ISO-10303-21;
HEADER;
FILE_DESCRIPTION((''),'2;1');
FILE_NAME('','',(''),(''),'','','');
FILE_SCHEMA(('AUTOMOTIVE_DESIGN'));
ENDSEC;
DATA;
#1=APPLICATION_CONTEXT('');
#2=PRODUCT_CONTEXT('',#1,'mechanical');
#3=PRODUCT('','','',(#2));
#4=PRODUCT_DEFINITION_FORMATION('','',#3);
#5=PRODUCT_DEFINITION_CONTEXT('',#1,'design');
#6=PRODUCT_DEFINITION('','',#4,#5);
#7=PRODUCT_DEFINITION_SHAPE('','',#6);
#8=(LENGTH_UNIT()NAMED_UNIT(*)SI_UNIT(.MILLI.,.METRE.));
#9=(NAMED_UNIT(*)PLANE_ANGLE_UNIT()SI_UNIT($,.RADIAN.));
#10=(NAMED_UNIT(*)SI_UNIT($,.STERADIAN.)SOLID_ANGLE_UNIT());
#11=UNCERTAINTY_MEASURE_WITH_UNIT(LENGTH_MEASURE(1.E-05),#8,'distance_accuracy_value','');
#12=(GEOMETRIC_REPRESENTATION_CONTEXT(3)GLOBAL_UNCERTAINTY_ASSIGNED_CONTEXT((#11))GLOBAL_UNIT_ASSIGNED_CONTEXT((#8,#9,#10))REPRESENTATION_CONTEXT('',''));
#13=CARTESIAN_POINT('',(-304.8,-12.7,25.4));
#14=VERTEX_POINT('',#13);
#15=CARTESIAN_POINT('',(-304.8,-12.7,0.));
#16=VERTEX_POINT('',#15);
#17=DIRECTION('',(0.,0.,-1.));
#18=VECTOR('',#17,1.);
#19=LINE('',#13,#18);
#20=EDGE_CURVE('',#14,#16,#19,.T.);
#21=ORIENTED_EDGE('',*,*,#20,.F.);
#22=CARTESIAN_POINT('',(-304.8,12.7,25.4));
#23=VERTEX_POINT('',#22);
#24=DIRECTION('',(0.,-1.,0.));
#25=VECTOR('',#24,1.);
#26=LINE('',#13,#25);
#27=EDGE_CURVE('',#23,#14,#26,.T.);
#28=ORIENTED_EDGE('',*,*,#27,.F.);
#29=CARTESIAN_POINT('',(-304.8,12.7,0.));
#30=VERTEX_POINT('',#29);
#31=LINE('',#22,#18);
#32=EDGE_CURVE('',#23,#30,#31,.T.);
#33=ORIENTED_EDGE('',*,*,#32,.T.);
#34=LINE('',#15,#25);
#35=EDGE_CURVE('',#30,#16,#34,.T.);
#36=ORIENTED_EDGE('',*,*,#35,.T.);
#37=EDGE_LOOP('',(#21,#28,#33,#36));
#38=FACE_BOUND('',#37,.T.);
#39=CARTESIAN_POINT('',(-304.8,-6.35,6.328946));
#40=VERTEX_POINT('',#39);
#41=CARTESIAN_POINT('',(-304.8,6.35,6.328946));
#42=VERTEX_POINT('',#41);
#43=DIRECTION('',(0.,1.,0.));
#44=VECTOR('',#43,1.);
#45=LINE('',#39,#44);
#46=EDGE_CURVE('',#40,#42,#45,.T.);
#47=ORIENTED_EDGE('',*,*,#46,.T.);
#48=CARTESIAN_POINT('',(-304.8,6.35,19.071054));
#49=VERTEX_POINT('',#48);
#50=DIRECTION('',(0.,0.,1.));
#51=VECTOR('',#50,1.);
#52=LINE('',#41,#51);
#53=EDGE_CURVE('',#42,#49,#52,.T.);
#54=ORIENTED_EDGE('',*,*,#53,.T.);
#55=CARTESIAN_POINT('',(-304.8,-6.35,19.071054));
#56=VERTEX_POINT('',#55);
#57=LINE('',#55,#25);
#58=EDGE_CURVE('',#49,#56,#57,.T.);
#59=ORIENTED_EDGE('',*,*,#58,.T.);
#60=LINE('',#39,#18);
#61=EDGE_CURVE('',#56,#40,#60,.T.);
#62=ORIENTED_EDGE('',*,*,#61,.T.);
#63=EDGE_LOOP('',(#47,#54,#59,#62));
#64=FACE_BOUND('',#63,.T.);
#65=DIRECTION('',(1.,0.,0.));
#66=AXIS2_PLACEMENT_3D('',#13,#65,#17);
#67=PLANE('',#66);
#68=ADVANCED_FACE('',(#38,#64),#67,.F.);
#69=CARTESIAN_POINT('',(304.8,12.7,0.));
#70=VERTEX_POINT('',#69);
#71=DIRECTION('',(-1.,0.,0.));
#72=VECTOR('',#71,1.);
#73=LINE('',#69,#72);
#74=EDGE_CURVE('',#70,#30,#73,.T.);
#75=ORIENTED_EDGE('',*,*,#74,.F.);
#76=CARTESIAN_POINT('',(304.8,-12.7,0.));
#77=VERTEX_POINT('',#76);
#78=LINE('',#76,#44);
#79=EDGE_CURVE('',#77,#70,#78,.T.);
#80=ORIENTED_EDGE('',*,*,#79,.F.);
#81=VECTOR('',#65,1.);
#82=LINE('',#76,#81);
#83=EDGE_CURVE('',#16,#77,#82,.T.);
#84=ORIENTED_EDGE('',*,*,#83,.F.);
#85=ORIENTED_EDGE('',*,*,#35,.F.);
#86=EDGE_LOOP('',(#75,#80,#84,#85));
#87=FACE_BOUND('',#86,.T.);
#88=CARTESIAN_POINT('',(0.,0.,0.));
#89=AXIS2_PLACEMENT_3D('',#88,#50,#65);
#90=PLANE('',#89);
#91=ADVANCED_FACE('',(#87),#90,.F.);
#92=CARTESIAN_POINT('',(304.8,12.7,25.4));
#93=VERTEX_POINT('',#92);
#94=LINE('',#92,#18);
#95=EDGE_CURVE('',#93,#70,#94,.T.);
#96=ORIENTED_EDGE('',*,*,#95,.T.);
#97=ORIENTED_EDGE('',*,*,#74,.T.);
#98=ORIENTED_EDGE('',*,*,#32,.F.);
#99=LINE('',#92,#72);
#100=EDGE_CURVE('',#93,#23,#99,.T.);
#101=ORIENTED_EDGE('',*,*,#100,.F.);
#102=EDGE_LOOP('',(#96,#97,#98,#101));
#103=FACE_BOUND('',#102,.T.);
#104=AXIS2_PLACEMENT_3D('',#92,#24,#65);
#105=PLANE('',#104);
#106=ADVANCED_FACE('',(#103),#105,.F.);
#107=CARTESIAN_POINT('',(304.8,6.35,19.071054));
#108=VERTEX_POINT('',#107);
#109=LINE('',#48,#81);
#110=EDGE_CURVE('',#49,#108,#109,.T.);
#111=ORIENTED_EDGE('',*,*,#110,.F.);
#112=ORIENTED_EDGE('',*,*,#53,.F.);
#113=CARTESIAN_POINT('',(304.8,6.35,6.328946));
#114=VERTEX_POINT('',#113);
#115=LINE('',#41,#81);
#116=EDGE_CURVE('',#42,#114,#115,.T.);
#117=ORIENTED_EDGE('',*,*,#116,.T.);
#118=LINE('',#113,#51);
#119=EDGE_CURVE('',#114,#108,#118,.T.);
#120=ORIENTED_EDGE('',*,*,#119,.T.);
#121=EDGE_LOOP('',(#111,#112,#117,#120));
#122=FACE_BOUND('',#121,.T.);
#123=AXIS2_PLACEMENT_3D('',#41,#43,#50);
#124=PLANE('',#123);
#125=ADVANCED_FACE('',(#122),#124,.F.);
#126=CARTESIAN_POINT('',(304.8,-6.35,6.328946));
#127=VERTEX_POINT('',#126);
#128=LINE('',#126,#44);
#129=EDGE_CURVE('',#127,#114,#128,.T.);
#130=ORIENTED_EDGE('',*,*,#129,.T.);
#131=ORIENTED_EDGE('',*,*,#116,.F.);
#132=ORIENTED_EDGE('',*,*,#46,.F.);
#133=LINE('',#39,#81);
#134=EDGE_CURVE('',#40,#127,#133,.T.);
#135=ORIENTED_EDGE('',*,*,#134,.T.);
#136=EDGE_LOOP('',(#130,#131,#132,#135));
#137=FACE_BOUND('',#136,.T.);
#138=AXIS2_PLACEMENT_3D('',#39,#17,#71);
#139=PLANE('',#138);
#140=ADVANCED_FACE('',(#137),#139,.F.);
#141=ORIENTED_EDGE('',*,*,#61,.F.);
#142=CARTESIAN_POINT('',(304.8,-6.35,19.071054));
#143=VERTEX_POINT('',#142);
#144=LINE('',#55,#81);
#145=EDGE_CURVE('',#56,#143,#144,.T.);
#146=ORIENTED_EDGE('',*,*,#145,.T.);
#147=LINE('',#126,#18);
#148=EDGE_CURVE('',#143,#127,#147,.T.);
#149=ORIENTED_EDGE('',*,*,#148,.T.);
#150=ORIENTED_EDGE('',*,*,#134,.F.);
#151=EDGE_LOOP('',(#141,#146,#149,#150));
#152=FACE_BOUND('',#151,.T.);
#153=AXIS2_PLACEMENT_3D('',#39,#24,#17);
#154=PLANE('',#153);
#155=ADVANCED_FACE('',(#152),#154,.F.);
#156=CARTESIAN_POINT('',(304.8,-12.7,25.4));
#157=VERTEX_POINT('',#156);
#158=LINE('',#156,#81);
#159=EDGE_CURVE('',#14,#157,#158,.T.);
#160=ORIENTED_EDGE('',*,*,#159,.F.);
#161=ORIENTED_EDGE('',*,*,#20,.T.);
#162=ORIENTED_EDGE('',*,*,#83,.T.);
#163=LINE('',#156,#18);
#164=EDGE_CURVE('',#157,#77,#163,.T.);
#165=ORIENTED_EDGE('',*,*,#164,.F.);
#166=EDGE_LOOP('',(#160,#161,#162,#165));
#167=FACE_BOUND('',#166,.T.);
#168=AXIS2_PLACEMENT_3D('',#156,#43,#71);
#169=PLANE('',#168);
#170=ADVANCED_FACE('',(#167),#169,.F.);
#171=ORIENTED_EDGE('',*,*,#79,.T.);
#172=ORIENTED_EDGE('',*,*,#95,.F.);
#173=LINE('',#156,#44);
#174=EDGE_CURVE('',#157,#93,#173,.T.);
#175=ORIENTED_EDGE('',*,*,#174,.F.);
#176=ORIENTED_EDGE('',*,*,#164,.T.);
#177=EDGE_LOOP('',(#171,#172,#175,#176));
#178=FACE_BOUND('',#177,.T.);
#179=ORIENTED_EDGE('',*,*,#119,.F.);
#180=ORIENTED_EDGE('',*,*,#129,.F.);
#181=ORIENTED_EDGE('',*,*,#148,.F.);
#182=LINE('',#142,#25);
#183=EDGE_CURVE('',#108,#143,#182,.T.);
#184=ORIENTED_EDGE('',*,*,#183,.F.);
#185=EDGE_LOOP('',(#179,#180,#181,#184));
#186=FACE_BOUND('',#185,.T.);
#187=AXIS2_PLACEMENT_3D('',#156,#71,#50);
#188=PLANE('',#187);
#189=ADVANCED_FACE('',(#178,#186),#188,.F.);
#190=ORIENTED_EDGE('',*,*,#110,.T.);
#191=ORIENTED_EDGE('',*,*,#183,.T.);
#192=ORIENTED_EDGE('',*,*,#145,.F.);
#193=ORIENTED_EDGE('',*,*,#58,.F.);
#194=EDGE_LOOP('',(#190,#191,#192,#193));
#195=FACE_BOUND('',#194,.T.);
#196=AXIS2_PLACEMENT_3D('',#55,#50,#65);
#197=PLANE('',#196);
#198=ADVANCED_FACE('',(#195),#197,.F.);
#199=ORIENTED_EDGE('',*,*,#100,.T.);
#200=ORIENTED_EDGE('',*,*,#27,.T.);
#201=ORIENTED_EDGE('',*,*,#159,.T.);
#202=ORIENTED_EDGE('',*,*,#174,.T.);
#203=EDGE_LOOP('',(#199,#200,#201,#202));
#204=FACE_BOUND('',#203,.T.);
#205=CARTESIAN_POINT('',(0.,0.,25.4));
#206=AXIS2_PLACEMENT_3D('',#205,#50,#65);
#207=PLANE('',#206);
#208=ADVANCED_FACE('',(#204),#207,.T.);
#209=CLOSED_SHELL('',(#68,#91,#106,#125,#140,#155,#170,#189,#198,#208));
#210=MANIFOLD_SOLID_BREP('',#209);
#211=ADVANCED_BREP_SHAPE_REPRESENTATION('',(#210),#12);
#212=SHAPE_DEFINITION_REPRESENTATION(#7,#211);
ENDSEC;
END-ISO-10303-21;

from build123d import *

# Parameters (mm, degrees)
SKETCH1_W           = 609.6
SKETCH1_H           = 25.4
BOSS_EXTRUDE1_DEPTH = 25.4
SKETCH2_W           = 12.742108998
SKETCH2_H           = 12.7
CUT_EXTRUDE1_DEPTH  = 611.261099858


with BuildPart() as part:
    # Sketch1 → Boss-Extrude1 (new body)
    with BuildSketch(Plane.XY):
        Rectangle(SKETCH1_W, SKETCH1_H)
    extrude(amount=BOSS_EXTRUDE1_DEPTH)

    # Sketch2 → Cut-Extrude1 (cut, through all)
    with BuildSketch(Plane(origin=(304.8, 0, 0), x_dir=(0, 0, -1), z_dir=(1, 0, 0))):
        with Locations((-12.7, 0)):
            Rectangle(SKETCH2_W, SKETCH2_H)
    extrude(amount=-CUT_EXTRUDE1_DEPTH, mode=Mode.SUBTRACT)


solid = part.part
